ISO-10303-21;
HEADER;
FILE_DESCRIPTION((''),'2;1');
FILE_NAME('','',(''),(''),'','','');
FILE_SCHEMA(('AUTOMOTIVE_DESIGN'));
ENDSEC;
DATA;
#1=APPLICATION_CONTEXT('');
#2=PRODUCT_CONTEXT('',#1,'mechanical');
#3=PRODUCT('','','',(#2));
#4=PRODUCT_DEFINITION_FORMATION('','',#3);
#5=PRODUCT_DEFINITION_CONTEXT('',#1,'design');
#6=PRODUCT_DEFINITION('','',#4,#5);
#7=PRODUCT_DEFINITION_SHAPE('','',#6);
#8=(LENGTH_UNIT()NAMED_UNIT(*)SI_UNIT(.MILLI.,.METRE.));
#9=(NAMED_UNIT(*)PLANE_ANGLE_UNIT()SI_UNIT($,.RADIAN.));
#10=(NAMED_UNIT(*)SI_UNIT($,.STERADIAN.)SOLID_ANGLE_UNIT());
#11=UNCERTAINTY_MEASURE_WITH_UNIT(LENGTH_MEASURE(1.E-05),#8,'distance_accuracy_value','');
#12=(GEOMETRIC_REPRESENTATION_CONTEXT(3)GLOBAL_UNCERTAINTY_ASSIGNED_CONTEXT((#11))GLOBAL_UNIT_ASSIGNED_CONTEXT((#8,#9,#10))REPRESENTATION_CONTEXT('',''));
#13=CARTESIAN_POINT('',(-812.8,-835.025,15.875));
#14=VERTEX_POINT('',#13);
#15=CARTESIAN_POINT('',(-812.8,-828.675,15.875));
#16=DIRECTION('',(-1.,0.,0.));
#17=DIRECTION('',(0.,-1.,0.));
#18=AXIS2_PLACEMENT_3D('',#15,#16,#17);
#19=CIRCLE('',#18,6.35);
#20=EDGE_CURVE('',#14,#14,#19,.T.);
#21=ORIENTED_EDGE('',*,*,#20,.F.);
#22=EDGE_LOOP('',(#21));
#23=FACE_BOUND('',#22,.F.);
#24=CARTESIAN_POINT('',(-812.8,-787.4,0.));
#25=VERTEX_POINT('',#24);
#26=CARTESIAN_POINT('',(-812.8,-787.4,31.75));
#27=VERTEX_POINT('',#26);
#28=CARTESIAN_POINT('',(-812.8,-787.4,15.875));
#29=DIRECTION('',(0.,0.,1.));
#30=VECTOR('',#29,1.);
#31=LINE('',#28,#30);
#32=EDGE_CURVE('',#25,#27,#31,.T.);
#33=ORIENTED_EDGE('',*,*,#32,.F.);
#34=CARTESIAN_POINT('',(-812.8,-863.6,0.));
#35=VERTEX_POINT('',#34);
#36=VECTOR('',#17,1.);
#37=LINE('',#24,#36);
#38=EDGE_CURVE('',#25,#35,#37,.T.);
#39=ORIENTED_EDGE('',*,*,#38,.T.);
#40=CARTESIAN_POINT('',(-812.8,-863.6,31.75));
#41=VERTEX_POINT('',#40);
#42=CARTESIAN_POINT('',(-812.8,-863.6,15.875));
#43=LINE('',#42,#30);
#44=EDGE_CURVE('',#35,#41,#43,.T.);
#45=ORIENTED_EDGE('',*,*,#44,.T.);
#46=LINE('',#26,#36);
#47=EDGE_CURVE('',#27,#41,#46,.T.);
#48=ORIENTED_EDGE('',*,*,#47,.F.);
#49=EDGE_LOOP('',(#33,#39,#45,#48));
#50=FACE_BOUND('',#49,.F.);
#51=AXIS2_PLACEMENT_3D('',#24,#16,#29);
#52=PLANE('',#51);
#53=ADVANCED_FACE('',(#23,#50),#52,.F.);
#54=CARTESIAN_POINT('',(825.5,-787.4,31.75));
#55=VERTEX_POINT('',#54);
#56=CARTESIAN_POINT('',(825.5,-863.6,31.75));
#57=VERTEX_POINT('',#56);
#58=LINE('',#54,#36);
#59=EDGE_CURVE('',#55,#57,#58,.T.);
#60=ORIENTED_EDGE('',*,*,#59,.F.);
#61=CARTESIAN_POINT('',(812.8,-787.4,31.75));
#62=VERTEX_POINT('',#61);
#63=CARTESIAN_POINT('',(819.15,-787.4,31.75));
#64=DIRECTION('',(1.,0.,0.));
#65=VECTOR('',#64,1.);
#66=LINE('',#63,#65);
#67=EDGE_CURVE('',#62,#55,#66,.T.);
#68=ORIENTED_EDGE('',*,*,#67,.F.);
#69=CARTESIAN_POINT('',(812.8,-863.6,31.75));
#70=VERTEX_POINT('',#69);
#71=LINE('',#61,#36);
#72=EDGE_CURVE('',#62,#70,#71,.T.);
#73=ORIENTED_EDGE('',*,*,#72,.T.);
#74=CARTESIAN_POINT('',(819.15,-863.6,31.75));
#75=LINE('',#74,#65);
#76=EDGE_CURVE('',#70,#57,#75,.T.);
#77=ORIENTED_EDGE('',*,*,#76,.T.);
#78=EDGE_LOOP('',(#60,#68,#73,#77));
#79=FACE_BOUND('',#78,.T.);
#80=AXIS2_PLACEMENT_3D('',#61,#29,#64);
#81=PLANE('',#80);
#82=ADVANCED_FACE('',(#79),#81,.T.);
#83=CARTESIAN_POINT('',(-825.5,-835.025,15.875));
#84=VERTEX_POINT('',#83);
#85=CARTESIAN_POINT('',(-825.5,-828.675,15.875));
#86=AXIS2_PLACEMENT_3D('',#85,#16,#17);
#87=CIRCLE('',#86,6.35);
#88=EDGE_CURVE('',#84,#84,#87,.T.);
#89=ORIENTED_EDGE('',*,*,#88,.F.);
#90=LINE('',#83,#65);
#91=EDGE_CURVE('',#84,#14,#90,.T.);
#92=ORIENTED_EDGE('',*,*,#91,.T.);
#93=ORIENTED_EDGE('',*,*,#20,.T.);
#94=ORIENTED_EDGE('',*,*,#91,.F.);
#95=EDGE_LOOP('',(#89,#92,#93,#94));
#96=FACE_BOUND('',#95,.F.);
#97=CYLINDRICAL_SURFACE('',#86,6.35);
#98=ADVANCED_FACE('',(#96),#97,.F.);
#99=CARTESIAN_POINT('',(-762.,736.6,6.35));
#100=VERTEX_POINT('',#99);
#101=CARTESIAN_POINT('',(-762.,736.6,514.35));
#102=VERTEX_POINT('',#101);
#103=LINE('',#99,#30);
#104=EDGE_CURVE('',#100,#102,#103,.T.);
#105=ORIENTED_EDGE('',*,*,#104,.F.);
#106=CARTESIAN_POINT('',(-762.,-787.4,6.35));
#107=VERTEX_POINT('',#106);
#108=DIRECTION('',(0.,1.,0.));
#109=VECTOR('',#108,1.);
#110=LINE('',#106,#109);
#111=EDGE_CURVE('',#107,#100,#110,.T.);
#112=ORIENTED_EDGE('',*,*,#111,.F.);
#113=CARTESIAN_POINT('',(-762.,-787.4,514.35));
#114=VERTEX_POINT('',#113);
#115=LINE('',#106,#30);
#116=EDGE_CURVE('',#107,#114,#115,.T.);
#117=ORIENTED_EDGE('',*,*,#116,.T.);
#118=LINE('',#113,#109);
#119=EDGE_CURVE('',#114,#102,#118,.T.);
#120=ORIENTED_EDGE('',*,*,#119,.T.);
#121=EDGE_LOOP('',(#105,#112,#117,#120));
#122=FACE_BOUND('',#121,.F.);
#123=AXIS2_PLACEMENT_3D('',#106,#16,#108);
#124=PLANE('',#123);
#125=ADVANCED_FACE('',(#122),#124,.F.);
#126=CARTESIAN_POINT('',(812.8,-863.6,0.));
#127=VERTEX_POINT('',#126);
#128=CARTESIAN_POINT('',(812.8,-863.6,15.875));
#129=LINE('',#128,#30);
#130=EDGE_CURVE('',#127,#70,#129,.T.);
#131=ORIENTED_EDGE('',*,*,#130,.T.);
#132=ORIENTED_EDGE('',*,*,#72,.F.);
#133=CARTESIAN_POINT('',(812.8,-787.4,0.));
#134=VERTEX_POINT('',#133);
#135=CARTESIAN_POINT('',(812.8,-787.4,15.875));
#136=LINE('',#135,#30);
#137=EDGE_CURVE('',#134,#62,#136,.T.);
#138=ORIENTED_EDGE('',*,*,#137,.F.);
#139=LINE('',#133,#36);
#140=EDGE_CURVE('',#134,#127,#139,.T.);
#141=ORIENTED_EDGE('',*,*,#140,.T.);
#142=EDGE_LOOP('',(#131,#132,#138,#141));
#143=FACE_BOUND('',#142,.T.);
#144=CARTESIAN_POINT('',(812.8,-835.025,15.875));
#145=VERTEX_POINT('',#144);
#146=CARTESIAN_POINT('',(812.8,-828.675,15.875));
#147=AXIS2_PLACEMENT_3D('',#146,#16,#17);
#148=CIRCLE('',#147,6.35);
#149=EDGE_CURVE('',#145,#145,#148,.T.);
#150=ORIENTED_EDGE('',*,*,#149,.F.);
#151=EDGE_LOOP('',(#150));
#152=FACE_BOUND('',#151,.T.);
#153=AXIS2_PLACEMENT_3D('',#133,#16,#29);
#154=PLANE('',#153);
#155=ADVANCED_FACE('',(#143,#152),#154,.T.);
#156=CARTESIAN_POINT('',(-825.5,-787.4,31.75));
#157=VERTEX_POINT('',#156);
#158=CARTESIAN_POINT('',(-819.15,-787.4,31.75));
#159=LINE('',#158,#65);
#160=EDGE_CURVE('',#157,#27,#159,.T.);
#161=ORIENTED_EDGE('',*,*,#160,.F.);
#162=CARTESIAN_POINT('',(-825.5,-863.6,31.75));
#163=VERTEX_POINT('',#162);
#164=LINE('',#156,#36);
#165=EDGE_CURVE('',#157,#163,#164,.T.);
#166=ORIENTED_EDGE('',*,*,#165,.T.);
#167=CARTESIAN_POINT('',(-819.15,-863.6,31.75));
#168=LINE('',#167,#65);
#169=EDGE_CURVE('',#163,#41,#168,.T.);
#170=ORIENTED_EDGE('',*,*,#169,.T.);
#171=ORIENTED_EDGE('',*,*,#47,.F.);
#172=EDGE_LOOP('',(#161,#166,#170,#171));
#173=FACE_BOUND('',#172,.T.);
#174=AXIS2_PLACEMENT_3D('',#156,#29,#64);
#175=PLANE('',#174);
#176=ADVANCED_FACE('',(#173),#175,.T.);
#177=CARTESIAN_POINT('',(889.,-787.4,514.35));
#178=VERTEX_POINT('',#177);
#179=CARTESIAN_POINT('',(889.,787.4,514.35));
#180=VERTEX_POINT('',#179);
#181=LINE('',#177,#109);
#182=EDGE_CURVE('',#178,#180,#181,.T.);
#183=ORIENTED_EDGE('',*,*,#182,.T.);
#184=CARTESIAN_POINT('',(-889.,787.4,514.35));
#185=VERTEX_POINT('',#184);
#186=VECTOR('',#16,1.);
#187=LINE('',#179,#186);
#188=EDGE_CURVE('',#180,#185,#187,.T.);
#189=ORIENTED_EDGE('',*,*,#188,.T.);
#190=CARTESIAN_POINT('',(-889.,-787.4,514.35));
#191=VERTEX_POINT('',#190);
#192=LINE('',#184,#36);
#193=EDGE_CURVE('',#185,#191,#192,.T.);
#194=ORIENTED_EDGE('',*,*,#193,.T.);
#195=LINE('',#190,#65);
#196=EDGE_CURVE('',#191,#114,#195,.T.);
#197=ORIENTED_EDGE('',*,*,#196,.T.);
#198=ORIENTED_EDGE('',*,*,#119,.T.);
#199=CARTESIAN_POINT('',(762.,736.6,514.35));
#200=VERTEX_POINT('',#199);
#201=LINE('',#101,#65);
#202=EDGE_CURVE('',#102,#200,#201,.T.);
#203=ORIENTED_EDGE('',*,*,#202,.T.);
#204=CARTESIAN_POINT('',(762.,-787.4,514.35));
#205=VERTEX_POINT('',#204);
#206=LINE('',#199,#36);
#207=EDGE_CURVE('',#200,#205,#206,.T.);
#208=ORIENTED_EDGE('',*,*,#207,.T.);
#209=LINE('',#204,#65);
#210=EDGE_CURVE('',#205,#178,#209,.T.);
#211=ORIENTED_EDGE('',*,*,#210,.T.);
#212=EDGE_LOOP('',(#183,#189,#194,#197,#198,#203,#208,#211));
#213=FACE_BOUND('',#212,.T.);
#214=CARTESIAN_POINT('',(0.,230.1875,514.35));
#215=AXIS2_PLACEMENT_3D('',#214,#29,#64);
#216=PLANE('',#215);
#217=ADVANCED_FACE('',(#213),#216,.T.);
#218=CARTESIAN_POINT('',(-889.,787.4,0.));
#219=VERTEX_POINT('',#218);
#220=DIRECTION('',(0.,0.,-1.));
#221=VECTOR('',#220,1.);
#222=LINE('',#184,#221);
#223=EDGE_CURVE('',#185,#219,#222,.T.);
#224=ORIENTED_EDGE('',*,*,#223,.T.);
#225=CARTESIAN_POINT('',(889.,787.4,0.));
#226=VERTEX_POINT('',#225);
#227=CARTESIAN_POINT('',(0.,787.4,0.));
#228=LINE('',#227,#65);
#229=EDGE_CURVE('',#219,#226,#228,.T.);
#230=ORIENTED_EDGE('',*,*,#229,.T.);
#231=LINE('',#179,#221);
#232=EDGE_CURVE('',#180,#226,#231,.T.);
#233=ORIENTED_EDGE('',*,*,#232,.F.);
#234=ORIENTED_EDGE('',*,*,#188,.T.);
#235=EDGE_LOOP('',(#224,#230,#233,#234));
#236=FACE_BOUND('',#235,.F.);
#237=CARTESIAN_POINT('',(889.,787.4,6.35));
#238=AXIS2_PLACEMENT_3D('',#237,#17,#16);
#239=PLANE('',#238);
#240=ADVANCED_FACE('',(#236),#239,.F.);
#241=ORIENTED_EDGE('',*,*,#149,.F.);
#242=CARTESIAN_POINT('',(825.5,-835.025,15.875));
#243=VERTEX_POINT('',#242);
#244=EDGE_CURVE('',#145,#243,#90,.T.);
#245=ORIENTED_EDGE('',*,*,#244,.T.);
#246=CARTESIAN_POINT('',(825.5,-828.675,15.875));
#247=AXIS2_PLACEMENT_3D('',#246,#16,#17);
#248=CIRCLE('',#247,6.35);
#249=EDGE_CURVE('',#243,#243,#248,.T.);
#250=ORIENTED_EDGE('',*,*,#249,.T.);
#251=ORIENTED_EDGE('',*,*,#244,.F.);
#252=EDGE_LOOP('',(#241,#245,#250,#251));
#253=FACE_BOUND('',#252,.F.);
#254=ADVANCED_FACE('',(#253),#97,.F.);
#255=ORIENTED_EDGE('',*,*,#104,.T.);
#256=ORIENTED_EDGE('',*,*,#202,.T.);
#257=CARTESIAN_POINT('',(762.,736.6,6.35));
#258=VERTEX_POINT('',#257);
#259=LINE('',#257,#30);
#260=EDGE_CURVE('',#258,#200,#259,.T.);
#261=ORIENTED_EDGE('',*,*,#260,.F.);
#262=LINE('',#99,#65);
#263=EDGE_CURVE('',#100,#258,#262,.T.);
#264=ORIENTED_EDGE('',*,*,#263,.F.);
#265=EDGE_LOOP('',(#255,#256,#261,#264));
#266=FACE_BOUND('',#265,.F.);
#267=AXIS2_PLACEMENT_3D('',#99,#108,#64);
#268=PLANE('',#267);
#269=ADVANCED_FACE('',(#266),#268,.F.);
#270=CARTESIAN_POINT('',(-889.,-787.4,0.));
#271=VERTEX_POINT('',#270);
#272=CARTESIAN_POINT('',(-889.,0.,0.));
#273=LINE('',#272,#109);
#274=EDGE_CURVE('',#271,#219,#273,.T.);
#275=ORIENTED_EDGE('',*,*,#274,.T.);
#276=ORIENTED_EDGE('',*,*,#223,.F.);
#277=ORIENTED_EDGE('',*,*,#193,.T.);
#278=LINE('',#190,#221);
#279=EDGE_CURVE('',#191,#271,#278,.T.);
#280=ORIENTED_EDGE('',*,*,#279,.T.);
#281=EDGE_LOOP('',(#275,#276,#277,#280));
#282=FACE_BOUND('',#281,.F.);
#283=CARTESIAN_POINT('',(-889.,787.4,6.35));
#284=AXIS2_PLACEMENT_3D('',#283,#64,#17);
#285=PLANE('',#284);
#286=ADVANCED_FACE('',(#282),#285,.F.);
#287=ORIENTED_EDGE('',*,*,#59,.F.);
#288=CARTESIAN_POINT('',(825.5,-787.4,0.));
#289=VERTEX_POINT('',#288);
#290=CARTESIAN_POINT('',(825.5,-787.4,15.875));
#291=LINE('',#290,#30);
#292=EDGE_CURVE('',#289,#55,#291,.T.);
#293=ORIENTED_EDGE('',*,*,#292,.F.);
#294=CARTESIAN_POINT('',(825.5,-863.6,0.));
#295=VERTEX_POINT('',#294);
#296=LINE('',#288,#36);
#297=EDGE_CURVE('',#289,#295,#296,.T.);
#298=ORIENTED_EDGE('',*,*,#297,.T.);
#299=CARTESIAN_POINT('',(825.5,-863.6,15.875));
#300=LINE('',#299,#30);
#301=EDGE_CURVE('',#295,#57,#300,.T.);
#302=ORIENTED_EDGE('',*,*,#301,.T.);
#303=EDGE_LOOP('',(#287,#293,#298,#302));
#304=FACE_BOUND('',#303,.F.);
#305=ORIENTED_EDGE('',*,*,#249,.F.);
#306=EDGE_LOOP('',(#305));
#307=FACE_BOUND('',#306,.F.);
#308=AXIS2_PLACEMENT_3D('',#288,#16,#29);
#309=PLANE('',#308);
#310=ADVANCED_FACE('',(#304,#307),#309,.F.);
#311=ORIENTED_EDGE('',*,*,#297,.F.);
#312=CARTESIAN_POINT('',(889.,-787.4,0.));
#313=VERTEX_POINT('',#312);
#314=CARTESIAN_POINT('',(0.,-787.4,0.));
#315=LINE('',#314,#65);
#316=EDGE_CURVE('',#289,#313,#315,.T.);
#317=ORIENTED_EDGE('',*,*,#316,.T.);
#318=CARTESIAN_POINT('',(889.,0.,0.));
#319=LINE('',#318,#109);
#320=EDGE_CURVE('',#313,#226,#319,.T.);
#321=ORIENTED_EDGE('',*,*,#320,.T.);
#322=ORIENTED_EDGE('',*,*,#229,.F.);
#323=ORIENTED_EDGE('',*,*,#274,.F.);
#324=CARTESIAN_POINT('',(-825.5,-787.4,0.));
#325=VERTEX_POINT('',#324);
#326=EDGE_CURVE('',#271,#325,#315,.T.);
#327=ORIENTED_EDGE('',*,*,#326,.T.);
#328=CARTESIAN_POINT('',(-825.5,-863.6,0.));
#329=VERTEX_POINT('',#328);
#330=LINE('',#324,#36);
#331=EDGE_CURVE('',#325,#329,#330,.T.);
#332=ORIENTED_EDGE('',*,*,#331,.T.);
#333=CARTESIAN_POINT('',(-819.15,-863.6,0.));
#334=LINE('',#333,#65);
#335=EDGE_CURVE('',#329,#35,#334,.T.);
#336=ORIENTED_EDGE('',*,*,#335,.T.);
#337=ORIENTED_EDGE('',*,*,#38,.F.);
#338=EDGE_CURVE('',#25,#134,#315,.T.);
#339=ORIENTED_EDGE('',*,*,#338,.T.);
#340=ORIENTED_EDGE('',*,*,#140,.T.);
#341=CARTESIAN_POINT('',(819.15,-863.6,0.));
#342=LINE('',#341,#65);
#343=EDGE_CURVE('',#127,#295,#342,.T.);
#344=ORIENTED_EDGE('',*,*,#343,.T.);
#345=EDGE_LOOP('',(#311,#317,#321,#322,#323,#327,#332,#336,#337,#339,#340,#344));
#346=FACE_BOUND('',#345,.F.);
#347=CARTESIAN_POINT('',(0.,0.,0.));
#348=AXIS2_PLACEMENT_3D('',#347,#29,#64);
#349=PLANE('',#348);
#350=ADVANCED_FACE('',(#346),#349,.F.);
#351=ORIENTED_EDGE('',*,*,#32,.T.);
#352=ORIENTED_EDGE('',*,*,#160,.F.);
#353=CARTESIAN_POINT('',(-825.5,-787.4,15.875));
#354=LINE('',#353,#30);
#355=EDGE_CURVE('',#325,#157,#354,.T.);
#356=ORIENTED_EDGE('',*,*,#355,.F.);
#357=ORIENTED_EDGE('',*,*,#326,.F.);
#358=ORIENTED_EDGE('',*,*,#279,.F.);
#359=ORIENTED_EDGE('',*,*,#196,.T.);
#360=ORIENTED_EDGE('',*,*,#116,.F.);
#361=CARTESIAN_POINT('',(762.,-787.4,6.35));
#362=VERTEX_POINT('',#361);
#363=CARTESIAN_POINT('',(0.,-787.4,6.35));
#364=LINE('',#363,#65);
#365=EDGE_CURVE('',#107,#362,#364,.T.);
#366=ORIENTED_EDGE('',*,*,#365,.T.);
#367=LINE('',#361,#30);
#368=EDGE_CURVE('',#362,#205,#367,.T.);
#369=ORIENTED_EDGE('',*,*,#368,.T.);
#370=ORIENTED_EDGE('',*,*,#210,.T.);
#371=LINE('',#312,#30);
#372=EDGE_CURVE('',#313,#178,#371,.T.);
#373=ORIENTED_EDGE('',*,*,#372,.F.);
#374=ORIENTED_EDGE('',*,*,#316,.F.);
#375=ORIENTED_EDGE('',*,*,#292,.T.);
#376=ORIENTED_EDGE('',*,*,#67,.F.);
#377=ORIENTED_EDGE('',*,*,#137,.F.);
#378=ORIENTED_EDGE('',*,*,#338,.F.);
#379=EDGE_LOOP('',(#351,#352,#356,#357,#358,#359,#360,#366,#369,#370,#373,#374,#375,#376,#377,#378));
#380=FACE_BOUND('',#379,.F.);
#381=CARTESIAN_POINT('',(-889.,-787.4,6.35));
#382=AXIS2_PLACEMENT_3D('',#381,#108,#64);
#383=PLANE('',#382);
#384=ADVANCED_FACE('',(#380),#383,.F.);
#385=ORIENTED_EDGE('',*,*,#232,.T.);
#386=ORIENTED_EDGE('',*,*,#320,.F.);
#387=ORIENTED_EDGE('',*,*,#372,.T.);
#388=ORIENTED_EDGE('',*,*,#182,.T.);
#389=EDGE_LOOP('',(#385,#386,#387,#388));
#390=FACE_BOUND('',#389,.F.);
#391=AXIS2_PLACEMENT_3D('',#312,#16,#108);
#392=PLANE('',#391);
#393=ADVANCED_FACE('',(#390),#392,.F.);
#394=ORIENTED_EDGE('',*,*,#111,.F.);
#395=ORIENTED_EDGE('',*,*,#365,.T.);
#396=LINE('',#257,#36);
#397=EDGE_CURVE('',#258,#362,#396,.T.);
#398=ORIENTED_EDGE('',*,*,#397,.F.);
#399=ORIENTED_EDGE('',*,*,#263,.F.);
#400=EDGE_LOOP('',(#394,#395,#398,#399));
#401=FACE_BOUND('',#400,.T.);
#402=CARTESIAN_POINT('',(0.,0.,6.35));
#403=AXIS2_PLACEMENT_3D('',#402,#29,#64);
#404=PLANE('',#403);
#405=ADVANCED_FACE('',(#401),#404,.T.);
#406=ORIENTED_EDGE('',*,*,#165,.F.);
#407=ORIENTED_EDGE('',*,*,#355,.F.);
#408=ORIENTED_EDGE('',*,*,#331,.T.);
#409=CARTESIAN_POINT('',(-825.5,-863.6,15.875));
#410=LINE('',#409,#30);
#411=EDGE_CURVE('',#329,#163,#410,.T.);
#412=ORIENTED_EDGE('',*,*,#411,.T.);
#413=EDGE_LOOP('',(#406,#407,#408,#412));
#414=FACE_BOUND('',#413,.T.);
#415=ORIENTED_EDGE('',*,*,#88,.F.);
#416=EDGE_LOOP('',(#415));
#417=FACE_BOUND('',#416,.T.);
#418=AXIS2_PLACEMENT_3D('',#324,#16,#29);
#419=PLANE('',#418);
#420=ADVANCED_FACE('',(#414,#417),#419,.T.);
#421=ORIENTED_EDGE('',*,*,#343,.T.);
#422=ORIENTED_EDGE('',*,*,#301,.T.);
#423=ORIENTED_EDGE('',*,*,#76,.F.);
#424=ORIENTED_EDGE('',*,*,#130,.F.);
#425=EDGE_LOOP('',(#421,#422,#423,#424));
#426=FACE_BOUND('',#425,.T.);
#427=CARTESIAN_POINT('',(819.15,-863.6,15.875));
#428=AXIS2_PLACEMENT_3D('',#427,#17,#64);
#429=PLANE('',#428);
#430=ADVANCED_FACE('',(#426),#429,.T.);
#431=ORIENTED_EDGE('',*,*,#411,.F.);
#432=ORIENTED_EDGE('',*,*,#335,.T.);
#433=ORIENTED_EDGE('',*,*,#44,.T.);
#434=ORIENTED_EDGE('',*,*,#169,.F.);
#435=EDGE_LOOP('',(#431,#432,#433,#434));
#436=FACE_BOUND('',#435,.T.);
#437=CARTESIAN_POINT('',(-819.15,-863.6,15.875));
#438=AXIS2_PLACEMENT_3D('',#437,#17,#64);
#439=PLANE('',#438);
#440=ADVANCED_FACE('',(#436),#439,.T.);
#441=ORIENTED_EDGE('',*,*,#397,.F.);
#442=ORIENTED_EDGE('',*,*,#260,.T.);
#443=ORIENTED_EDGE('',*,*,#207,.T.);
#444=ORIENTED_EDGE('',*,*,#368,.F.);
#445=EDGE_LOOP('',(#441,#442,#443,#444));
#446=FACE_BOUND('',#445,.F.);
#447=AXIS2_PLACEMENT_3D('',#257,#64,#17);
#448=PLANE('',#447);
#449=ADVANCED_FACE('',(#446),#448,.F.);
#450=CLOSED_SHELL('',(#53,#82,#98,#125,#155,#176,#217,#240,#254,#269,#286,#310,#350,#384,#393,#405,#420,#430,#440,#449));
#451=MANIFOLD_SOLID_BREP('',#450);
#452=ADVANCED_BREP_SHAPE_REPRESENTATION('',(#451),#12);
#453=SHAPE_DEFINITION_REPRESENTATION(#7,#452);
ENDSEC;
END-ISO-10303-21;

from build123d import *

# Parameters (mm, degrees)
F0_W     = 1778
F0_H     = 1574.8
F1_DEPTH = 6.35
F3_DEPTH = 508
F4_W     = 12.7
F4_H     = 31.75
F5_DEPTH = 76.2
F6_R     = 6.35
F7_DEPTH = 1714.501


with BuildPart() as f1:
    # F0 (on Top) → F1 (new body)
    with BuildSketch(Plane.XY):
        Rectangle(F0_W, F0_H)
    extrude(amount=F1_DEPTH)

    # F2 (on face) → F3 (join)
    with BuildSketch(Plane.XY.offset(6.35)):
        Polygon((-889, 736.6), (-889, -787.4), (-762, -787.4), (-762, 736.6), (762, 736.6), (762, -787.4), (889, -787.4), (889, 736.6), (889, 787.4), (762, 787.4), (-762, 787.4), (-889, 787.4), align=None)
    extrude(amount=F3_DEPTH)

    # F4 (on face) → F5 (join)
    with BuildSketch(Plane.XZ.offset(787.4)):
        with Locations((-819.15, 15.875)):
            Rectangle(F4_W, F4_H)
        with Locations((819.15, 15.875)):
            Rectangle(F4_W, F4_H)
    extrude(amount=F5_DEPTH)

    # F6 (on face) → F7 (cut, through all)
    with BuildSketch(Plane(origin=(-825.5, 0, 0), x_dir=(0, -1, 0), z_dir=(-1, 0, 0))):
        with Locations((828.675, 15.875)):
            Circle(F6_R)
    extrude(amount=-F7_DEPTH, mode=Mode.SUBTRACT)


solid = f1.part
